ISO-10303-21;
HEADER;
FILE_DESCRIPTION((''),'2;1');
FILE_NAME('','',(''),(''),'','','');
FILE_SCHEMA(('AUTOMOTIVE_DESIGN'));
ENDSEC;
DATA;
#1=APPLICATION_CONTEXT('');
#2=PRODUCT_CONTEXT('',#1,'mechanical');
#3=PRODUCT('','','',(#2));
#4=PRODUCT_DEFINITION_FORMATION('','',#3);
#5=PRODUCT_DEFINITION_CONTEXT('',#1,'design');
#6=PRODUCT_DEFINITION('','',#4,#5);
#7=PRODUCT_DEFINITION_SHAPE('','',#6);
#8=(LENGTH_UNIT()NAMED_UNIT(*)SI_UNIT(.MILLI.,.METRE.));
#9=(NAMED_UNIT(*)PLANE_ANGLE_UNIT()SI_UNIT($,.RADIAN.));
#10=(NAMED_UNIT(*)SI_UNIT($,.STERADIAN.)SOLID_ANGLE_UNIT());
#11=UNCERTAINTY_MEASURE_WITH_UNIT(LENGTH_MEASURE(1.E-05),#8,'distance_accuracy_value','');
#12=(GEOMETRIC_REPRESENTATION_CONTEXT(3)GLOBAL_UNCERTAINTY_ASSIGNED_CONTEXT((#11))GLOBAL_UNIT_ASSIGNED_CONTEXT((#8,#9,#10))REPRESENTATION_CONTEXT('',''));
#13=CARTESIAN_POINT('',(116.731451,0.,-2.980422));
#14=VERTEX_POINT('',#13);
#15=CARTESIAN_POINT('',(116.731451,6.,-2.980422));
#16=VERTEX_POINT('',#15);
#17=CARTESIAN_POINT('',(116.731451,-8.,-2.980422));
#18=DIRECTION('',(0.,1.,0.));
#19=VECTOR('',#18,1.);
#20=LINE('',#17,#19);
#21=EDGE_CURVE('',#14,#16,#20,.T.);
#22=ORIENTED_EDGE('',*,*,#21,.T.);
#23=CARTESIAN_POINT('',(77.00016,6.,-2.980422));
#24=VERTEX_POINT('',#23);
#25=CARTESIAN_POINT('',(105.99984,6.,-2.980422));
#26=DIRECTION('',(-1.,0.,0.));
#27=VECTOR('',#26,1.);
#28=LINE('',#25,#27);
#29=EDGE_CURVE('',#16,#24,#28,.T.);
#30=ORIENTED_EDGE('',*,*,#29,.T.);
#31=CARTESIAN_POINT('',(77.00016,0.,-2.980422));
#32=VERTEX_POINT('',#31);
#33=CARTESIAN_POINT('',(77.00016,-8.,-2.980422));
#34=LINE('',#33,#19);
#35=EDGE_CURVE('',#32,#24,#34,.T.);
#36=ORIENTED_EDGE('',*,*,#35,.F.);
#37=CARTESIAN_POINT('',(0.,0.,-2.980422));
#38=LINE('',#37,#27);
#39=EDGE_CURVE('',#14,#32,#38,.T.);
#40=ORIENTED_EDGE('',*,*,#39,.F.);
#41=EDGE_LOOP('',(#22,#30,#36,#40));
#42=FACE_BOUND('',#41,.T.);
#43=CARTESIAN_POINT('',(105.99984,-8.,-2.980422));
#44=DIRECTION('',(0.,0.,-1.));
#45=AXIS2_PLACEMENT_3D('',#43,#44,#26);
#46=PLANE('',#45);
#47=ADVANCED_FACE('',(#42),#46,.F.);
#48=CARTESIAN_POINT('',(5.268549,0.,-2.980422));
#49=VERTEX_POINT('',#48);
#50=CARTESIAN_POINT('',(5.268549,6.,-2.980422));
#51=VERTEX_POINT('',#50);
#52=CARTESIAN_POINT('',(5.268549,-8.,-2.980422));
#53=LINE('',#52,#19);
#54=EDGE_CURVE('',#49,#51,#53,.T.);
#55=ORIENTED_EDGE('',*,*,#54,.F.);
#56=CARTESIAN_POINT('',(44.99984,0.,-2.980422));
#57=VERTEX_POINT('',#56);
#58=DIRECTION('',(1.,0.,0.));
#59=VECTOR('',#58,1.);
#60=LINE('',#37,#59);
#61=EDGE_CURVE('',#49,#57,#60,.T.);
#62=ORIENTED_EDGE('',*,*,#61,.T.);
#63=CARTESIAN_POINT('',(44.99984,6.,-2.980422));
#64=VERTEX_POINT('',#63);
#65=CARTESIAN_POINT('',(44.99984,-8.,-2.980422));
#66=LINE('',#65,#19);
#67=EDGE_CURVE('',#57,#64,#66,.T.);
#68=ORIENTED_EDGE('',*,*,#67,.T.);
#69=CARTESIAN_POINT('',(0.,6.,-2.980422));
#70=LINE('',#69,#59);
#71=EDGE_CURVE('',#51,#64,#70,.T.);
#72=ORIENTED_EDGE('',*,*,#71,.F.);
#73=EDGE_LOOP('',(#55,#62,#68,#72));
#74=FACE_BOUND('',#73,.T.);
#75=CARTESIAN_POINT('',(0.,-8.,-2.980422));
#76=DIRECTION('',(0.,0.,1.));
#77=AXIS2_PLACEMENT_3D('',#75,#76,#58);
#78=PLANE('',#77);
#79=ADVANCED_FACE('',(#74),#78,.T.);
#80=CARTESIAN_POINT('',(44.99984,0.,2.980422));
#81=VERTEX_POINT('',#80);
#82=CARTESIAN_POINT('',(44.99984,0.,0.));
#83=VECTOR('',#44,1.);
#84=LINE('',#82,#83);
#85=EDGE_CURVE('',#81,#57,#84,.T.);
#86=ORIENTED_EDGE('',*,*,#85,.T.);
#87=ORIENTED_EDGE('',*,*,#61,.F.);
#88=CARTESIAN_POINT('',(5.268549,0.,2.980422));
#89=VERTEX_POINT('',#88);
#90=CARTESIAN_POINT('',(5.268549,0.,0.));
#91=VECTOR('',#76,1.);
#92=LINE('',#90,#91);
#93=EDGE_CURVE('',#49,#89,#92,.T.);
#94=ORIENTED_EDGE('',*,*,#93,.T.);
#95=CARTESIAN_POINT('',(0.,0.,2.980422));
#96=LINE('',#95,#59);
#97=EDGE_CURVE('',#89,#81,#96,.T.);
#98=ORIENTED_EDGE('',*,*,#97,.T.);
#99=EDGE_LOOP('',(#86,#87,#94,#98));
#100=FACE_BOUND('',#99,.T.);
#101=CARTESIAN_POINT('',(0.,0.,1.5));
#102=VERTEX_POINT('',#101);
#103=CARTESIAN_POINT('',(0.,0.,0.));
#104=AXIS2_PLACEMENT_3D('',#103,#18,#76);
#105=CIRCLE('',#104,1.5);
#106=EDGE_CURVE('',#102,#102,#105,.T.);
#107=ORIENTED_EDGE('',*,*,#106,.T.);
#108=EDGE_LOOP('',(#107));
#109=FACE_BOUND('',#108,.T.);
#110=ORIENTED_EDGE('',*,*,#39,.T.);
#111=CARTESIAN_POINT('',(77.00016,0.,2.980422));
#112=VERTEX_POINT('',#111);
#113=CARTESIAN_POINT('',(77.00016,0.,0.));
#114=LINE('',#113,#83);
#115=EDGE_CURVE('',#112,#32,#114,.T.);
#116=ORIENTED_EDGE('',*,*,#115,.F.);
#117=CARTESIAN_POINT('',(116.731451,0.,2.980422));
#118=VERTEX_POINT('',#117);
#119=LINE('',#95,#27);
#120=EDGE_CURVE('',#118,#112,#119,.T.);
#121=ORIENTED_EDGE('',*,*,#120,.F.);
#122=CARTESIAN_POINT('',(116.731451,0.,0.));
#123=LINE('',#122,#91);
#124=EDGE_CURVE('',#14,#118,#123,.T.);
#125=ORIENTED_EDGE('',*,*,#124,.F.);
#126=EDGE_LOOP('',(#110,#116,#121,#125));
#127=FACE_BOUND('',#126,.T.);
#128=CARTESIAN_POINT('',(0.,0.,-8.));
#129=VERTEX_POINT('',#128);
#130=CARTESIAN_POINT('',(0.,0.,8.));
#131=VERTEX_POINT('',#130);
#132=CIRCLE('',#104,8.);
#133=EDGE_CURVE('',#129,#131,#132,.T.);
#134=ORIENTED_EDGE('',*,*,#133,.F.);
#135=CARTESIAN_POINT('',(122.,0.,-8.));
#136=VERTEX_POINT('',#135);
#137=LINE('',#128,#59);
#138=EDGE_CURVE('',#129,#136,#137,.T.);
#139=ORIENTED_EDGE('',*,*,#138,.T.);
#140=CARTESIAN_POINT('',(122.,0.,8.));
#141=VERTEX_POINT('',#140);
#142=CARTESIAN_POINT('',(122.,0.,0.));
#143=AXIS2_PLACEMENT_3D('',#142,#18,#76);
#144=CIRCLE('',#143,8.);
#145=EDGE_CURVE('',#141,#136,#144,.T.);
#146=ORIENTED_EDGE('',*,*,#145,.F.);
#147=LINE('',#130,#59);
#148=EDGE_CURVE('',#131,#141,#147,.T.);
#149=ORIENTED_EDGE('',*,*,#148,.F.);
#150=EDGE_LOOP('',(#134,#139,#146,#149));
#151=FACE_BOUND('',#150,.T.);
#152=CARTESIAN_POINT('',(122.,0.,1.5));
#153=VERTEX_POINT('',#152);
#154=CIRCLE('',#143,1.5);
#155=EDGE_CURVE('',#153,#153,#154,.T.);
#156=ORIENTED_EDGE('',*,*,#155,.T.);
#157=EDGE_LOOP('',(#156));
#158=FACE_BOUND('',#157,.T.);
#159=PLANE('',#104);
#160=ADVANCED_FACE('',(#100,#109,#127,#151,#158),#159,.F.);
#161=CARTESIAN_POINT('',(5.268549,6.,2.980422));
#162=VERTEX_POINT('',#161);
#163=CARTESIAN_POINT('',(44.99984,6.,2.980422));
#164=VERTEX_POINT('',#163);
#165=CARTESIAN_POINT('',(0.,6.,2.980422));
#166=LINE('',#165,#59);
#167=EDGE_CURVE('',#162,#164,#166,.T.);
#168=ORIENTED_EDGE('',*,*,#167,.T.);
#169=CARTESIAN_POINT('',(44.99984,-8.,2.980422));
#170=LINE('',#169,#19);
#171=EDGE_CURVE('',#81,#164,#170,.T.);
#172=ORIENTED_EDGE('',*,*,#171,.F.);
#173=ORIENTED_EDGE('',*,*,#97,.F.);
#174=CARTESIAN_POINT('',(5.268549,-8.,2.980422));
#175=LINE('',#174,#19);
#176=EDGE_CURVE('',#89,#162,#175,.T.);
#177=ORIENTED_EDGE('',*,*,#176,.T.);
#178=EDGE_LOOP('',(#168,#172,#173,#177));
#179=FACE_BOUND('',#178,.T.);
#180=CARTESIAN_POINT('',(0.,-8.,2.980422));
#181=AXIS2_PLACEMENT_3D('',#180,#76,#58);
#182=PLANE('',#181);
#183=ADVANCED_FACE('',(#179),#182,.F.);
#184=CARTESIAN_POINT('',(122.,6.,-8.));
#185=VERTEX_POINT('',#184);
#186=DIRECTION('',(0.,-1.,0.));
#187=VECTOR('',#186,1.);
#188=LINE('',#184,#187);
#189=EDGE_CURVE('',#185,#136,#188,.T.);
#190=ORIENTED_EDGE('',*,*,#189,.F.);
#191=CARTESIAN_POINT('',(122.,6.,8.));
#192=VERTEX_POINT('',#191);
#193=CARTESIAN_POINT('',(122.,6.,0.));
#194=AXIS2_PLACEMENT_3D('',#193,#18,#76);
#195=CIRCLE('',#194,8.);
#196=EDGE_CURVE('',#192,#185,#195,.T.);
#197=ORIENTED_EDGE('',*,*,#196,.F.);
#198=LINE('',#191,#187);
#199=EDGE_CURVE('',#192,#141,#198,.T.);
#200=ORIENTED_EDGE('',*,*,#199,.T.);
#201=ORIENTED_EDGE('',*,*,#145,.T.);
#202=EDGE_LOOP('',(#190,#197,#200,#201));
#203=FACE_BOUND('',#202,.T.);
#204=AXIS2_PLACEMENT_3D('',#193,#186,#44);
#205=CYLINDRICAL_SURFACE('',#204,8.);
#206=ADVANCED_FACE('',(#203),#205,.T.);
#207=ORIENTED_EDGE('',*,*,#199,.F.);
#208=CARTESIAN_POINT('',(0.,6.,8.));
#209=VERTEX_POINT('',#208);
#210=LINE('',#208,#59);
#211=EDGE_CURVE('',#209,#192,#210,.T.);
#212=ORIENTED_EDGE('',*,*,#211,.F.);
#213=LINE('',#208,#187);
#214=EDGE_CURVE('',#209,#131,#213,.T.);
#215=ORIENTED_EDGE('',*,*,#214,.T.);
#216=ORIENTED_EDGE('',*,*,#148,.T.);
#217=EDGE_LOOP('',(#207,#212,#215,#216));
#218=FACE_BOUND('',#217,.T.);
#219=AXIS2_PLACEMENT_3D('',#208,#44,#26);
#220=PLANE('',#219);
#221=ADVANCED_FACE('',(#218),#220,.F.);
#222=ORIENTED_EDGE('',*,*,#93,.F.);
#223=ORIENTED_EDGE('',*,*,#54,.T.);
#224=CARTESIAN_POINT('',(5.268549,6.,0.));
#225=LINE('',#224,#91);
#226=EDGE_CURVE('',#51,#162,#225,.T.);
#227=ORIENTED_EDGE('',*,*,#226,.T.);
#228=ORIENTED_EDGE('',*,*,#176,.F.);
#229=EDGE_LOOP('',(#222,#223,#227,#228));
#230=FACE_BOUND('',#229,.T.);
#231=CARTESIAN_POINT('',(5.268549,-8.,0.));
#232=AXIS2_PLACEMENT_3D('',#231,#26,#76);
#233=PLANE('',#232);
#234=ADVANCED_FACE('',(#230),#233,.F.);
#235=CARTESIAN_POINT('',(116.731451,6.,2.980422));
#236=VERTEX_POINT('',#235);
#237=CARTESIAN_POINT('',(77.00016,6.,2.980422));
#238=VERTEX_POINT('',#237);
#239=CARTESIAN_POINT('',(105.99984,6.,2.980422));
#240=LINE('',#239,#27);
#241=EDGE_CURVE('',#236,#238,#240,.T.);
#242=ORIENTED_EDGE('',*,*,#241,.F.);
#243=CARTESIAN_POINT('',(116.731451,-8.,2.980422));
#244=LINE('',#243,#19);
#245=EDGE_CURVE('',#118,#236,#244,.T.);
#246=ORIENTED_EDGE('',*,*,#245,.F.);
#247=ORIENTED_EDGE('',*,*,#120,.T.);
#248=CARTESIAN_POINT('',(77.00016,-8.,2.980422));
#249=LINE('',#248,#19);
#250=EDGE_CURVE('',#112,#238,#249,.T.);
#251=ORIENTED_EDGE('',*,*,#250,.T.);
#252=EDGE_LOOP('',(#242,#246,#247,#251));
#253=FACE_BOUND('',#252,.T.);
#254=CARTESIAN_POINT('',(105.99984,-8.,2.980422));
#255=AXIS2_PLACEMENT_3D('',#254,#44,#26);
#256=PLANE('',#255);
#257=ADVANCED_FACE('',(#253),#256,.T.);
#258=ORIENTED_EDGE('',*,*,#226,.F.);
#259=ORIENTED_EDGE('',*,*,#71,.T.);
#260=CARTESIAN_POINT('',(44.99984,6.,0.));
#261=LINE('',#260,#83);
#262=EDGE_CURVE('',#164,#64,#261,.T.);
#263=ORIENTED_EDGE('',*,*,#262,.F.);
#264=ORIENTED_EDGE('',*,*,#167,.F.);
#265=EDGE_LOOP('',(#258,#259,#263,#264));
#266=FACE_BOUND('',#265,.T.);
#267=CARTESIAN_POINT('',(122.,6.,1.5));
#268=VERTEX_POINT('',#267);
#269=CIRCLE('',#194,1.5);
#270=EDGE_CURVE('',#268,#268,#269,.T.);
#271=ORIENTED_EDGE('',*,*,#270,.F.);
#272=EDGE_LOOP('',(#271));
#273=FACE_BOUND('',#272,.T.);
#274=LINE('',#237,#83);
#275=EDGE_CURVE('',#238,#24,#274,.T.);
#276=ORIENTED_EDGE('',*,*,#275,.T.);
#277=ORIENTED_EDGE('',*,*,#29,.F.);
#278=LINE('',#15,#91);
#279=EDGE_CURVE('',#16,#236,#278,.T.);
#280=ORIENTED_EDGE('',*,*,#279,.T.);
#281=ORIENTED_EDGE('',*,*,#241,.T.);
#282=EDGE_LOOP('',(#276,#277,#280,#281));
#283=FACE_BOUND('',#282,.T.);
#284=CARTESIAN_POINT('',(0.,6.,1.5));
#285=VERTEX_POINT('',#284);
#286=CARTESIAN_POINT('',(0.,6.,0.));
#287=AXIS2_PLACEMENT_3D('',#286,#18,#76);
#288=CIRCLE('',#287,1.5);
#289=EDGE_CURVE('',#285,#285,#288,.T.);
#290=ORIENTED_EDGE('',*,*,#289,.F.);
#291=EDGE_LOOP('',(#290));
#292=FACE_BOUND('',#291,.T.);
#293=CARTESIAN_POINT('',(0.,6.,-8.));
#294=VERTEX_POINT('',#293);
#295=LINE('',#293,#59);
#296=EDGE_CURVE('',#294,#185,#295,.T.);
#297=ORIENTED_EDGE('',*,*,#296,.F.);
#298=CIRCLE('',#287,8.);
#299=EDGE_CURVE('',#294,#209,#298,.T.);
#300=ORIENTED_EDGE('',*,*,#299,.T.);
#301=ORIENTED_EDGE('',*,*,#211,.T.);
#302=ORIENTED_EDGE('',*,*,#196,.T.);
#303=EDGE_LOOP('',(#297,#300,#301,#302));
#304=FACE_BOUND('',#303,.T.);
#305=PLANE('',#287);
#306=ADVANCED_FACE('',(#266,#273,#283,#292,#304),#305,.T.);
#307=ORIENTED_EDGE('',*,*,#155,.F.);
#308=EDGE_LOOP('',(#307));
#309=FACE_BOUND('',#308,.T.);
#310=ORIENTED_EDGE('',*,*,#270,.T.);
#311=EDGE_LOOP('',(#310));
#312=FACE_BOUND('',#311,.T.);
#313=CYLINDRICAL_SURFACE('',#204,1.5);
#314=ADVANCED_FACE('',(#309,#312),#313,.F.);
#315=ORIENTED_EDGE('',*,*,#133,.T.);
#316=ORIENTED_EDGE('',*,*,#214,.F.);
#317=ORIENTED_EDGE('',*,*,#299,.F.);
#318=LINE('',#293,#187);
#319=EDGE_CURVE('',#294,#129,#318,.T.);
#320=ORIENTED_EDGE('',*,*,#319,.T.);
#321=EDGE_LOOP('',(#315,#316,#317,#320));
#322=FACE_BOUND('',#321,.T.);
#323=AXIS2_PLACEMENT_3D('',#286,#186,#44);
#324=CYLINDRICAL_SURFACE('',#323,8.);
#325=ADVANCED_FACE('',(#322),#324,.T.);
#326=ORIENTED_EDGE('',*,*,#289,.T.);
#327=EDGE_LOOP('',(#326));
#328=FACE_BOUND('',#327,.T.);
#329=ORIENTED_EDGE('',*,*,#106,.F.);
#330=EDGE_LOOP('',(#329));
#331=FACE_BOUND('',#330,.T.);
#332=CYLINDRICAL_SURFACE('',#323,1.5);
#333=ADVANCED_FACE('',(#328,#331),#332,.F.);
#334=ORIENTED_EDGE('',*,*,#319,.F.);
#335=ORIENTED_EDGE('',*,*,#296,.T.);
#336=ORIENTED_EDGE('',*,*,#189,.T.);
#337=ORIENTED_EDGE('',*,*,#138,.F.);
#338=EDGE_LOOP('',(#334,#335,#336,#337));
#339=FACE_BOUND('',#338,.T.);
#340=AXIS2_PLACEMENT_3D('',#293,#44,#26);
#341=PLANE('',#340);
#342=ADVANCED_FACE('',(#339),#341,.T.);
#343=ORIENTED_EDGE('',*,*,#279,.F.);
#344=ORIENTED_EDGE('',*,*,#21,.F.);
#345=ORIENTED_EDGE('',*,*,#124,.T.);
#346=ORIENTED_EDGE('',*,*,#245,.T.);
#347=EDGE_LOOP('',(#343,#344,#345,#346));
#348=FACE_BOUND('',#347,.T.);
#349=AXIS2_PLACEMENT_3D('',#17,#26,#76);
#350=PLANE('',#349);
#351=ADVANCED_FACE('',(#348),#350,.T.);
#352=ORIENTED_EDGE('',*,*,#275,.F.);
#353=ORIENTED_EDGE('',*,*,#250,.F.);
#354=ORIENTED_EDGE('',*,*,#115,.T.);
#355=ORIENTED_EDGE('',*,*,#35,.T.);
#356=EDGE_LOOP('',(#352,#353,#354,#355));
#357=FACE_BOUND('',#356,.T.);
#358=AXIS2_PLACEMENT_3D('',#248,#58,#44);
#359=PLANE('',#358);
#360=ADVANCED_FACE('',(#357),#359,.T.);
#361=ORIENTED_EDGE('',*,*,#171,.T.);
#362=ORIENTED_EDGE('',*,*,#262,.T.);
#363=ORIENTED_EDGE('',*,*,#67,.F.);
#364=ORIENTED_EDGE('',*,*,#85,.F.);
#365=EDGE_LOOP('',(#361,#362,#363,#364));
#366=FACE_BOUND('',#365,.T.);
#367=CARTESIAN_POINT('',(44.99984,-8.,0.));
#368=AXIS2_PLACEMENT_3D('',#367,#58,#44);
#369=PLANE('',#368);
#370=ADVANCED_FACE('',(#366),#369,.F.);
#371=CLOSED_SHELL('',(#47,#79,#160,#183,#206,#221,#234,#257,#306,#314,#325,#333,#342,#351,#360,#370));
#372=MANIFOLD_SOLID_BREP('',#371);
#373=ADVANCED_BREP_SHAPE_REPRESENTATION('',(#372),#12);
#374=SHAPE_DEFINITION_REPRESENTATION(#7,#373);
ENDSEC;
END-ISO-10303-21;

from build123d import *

# Parameters (mm, degrees)
SKETCH1_R           = 1.5
BOSS_EXTRUDE1_DEPTH = 6
SKETCH2_W           = 28.99967905
SKETCH2_H           = 5.960844098
SKETCH2_W_2         = 10.731611964
CUT_EXTRUDE1_DEPTH  = 14


with BuildPart() as part:
    # Sketch1 → Boss-Extrude1 (new body)
    with BuildSketch(Plane(origin=(0, 0, 0), x_dir=(1, 0, 0), z_dir=(0, 1, 0))):
        with BuildLine():
            Line((0, 8), (122, 8))
            ThreePointArc((122, 8), (130, 0), (122, -8))
            Line((122, -8), (0, -8))
            ThreePointArc((0, -8), (-8, 0), (0, 8))
        make_face()
        Circle(SKETCH1_R, mode=Mode.SUBTRACT)
        with Locations((122, 0)):
            Circle(SKETCH1_R, mode=Mode.SUBTRACT)
    extrude(amount=BOSS_EXTRUDE1_DEPTH)

    # Sketch2 → Cut-Extrude1 (cut)
    with BuildSketch(Plane(origin=(0, 6, 0), x_dir=(1, 0, 0), z_dir=(0, 1, 0))):
        with Locations((30.5, 0)):
            Rectangle(SKETCH2_W, SKETCH2_H)
        with Locations((10.634354493, 0)):
            Rectangle(SKETCH2_W_2, SKETCH2_H)
        Polygon((105.999839525, 2.980422049), (77.000160475, 2.980422049), (77.000160475, -2.980422049), (105.999839525, -2.980422049), (116.731451489, -2.980422049), (116.731451489, 2.980422049), align=None)
    extrude(amount=-CUT_EXTRUDE1_DEPTH, mode=Mode.SUBTRACT)


solid = part.part
